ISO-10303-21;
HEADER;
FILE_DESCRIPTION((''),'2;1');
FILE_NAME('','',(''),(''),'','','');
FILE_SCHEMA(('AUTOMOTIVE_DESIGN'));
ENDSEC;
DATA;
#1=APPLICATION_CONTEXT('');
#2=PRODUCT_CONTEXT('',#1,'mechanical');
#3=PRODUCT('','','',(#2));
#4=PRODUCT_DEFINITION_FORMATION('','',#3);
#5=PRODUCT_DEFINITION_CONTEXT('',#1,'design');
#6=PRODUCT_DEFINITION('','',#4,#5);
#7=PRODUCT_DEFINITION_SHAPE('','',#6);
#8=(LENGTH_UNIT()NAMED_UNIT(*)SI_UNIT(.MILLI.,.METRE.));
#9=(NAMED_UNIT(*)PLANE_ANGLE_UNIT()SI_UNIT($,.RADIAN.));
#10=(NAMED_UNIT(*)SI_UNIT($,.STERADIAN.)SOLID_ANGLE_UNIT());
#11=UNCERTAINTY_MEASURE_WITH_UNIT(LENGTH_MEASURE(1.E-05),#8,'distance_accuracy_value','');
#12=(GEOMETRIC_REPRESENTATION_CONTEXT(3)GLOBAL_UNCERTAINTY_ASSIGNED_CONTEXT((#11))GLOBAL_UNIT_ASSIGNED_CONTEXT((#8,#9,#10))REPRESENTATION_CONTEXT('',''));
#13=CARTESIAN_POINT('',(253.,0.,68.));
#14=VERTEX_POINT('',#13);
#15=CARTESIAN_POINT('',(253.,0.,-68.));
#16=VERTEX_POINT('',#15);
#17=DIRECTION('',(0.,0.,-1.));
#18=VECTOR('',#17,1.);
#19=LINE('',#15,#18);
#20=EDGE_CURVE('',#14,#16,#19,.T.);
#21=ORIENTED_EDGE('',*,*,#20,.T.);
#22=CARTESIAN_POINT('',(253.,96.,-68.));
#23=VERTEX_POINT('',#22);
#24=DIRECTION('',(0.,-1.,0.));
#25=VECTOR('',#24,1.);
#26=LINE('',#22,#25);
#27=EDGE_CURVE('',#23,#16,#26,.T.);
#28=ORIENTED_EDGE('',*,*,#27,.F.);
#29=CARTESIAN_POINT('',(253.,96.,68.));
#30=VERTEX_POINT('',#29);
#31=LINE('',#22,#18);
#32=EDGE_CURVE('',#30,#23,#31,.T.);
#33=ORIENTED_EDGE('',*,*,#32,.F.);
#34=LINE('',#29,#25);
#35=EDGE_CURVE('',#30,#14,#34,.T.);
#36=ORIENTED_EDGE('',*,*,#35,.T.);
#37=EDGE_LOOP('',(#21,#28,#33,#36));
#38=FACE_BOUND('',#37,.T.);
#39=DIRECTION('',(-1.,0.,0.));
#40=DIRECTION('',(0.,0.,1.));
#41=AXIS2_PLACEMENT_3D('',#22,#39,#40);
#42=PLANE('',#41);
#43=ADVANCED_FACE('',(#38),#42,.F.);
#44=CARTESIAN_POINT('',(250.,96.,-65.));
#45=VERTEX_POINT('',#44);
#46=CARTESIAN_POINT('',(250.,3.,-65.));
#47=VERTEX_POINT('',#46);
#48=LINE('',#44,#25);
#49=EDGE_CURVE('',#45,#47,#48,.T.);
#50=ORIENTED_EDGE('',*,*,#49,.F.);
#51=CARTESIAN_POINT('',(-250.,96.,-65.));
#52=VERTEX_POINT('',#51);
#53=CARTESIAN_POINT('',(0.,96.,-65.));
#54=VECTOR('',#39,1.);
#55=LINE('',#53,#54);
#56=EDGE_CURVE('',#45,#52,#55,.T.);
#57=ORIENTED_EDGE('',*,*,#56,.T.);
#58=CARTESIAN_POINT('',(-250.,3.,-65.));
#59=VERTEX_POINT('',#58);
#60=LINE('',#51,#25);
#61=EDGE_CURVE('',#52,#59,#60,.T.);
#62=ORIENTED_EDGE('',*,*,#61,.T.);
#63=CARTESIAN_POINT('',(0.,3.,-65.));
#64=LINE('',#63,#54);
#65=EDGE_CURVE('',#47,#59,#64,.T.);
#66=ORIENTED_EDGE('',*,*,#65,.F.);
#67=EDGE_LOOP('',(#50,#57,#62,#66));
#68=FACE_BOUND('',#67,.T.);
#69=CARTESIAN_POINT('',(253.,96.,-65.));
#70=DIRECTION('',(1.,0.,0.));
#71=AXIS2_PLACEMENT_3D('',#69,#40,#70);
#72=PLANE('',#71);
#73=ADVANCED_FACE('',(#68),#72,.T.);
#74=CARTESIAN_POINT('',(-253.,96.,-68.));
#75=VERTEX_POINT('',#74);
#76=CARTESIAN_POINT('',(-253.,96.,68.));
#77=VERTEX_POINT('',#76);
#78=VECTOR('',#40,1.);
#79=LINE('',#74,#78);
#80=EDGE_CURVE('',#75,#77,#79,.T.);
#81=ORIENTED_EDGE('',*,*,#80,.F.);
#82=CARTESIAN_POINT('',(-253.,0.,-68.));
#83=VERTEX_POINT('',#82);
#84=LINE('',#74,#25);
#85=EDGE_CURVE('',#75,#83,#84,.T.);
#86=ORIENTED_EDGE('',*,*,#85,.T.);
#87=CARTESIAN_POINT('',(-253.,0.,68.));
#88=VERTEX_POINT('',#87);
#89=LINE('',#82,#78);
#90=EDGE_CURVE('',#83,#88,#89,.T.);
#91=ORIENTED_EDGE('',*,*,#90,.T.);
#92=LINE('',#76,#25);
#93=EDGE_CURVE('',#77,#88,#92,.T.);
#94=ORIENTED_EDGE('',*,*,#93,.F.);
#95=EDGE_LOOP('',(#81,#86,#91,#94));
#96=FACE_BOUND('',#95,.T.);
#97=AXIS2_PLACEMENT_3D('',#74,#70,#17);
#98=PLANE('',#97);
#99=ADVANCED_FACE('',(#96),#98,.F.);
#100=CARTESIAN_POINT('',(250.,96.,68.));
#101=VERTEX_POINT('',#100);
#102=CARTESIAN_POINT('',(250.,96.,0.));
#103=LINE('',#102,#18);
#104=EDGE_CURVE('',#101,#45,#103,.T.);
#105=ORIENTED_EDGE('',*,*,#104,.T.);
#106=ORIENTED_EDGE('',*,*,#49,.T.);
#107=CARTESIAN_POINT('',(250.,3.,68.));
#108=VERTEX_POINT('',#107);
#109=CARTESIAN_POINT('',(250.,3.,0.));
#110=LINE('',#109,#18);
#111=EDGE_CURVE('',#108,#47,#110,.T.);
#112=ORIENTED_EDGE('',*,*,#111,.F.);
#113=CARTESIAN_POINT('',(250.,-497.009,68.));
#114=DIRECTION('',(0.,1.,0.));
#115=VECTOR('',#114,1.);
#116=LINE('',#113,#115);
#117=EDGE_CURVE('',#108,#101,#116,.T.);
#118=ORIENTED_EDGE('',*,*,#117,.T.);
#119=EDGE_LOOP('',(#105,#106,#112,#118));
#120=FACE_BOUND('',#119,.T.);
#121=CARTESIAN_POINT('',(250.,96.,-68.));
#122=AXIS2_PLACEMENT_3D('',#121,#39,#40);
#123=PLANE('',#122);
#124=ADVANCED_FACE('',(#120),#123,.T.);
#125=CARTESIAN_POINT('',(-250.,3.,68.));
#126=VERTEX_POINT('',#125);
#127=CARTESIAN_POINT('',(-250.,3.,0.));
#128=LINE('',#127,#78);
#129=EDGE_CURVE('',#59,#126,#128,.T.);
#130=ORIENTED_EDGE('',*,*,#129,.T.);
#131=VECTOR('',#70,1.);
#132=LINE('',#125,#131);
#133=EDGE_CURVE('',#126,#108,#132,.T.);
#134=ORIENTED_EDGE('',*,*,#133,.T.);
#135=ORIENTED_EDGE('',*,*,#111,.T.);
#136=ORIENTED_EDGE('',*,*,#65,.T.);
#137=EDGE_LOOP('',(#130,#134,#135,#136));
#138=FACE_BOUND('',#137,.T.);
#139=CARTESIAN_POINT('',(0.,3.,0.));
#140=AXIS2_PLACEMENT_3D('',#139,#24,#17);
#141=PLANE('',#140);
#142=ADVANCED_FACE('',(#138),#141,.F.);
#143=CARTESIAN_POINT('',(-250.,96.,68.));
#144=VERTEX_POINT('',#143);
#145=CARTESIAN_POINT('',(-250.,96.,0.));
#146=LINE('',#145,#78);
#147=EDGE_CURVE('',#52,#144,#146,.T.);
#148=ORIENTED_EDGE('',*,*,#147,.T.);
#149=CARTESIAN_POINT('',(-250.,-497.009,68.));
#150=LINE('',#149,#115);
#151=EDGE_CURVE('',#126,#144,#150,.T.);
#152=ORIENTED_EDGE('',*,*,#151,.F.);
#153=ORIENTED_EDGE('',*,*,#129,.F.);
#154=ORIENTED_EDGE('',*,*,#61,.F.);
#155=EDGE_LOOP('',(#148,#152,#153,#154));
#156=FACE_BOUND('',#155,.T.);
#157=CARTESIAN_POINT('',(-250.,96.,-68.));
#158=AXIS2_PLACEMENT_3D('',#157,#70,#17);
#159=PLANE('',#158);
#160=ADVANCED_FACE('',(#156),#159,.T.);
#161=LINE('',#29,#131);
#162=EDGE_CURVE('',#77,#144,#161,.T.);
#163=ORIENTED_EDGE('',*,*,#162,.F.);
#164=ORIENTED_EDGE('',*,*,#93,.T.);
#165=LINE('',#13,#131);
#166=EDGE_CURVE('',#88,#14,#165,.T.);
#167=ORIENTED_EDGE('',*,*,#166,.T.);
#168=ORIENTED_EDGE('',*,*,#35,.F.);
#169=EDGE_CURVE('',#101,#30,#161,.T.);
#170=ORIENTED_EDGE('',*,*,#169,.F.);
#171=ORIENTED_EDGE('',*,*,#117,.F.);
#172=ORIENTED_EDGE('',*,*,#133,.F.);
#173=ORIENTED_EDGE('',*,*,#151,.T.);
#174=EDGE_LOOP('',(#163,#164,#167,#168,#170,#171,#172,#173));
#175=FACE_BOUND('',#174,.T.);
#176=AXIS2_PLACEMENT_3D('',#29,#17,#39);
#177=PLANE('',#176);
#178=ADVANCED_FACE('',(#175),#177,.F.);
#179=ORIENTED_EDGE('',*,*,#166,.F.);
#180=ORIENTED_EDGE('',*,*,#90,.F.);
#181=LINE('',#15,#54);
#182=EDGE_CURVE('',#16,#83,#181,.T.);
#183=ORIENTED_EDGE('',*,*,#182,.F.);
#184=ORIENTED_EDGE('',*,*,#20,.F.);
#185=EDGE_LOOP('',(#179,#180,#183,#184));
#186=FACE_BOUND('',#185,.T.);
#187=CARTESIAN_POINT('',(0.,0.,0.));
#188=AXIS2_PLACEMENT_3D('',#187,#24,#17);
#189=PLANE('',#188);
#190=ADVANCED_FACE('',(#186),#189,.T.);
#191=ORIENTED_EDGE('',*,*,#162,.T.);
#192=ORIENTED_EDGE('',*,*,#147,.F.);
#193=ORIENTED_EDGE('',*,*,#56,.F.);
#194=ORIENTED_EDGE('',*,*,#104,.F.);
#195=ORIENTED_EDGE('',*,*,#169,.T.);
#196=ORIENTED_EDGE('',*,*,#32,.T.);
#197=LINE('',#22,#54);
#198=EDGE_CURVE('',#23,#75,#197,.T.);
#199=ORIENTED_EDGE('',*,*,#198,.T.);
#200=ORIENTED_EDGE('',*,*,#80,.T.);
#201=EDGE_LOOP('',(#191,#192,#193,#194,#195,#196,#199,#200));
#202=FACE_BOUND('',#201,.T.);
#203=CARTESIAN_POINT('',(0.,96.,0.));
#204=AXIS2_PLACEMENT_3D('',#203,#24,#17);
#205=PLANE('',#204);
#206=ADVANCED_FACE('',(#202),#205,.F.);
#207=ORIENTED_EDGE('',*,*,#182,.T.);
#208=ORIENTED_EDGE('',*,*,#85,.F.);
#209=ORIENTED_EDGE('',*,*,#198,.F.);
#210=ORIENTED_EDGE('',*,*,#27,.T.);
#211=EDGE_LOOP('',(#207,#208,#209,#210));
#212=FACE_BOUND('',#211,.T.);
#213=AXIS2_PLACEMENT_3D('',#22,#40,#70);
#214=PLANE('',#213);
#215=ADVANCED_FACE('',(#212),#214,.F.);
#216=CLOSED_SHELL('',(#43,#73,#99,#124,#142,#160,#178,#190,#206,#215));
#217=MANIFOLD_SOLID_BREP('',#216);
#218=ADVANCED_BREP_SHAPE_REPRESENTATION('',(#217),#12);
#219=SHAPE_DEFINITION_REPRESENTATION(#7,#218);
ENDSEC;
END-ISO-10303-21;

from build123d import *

# Parameters (mm, degrees)
SKETCH1_W           = 506
SKETCH1_H           = 136
BOSS_EXTRUDE1_DEPTH = 96
SHELL1_T            = -3
SKETCH3_W           = 500
SKETCH3_H           = 3
CUT_EXTRUDE2_DEPTH  = 93


with BuildPart() as part:
    # Sketch1 → Boss-Extrude1 (new body)
    with BuildSketch(Plane(origin=(0, 0, 0), x_dir=(1, 0, 0), z_dir=(0, 1, 0))):
        Rectangle(SKETCH1_W, SKETCH1_H)
    extrude(amount=BOSS_EXTRUDE1_DEPTH)

    # Shell1
    shell1_openings = [part.faces().sort_by_distance(p)[0] for p in [
        (0, 96, 0),
    ]]
    offset(amount=SHELL1_T, openings=shell1_openings, kind=Kind.INTERSECTION)

    # Sketch3 → Cut-Extrude2 (cut)
    with BuildSketch(Plane(origin=(0, 96, 0), x_dir=(1, 0, 0), z_dir=(0, 1, 0))):
        with Locations((0, -66.5)):
            Rectangle(SKETCH3_W, SKETCH3_H)
    extrude(amount=-CUT_EXTRUDE2_DEPTH, mode=Mode.SUBTRACT)


solid = part.part
